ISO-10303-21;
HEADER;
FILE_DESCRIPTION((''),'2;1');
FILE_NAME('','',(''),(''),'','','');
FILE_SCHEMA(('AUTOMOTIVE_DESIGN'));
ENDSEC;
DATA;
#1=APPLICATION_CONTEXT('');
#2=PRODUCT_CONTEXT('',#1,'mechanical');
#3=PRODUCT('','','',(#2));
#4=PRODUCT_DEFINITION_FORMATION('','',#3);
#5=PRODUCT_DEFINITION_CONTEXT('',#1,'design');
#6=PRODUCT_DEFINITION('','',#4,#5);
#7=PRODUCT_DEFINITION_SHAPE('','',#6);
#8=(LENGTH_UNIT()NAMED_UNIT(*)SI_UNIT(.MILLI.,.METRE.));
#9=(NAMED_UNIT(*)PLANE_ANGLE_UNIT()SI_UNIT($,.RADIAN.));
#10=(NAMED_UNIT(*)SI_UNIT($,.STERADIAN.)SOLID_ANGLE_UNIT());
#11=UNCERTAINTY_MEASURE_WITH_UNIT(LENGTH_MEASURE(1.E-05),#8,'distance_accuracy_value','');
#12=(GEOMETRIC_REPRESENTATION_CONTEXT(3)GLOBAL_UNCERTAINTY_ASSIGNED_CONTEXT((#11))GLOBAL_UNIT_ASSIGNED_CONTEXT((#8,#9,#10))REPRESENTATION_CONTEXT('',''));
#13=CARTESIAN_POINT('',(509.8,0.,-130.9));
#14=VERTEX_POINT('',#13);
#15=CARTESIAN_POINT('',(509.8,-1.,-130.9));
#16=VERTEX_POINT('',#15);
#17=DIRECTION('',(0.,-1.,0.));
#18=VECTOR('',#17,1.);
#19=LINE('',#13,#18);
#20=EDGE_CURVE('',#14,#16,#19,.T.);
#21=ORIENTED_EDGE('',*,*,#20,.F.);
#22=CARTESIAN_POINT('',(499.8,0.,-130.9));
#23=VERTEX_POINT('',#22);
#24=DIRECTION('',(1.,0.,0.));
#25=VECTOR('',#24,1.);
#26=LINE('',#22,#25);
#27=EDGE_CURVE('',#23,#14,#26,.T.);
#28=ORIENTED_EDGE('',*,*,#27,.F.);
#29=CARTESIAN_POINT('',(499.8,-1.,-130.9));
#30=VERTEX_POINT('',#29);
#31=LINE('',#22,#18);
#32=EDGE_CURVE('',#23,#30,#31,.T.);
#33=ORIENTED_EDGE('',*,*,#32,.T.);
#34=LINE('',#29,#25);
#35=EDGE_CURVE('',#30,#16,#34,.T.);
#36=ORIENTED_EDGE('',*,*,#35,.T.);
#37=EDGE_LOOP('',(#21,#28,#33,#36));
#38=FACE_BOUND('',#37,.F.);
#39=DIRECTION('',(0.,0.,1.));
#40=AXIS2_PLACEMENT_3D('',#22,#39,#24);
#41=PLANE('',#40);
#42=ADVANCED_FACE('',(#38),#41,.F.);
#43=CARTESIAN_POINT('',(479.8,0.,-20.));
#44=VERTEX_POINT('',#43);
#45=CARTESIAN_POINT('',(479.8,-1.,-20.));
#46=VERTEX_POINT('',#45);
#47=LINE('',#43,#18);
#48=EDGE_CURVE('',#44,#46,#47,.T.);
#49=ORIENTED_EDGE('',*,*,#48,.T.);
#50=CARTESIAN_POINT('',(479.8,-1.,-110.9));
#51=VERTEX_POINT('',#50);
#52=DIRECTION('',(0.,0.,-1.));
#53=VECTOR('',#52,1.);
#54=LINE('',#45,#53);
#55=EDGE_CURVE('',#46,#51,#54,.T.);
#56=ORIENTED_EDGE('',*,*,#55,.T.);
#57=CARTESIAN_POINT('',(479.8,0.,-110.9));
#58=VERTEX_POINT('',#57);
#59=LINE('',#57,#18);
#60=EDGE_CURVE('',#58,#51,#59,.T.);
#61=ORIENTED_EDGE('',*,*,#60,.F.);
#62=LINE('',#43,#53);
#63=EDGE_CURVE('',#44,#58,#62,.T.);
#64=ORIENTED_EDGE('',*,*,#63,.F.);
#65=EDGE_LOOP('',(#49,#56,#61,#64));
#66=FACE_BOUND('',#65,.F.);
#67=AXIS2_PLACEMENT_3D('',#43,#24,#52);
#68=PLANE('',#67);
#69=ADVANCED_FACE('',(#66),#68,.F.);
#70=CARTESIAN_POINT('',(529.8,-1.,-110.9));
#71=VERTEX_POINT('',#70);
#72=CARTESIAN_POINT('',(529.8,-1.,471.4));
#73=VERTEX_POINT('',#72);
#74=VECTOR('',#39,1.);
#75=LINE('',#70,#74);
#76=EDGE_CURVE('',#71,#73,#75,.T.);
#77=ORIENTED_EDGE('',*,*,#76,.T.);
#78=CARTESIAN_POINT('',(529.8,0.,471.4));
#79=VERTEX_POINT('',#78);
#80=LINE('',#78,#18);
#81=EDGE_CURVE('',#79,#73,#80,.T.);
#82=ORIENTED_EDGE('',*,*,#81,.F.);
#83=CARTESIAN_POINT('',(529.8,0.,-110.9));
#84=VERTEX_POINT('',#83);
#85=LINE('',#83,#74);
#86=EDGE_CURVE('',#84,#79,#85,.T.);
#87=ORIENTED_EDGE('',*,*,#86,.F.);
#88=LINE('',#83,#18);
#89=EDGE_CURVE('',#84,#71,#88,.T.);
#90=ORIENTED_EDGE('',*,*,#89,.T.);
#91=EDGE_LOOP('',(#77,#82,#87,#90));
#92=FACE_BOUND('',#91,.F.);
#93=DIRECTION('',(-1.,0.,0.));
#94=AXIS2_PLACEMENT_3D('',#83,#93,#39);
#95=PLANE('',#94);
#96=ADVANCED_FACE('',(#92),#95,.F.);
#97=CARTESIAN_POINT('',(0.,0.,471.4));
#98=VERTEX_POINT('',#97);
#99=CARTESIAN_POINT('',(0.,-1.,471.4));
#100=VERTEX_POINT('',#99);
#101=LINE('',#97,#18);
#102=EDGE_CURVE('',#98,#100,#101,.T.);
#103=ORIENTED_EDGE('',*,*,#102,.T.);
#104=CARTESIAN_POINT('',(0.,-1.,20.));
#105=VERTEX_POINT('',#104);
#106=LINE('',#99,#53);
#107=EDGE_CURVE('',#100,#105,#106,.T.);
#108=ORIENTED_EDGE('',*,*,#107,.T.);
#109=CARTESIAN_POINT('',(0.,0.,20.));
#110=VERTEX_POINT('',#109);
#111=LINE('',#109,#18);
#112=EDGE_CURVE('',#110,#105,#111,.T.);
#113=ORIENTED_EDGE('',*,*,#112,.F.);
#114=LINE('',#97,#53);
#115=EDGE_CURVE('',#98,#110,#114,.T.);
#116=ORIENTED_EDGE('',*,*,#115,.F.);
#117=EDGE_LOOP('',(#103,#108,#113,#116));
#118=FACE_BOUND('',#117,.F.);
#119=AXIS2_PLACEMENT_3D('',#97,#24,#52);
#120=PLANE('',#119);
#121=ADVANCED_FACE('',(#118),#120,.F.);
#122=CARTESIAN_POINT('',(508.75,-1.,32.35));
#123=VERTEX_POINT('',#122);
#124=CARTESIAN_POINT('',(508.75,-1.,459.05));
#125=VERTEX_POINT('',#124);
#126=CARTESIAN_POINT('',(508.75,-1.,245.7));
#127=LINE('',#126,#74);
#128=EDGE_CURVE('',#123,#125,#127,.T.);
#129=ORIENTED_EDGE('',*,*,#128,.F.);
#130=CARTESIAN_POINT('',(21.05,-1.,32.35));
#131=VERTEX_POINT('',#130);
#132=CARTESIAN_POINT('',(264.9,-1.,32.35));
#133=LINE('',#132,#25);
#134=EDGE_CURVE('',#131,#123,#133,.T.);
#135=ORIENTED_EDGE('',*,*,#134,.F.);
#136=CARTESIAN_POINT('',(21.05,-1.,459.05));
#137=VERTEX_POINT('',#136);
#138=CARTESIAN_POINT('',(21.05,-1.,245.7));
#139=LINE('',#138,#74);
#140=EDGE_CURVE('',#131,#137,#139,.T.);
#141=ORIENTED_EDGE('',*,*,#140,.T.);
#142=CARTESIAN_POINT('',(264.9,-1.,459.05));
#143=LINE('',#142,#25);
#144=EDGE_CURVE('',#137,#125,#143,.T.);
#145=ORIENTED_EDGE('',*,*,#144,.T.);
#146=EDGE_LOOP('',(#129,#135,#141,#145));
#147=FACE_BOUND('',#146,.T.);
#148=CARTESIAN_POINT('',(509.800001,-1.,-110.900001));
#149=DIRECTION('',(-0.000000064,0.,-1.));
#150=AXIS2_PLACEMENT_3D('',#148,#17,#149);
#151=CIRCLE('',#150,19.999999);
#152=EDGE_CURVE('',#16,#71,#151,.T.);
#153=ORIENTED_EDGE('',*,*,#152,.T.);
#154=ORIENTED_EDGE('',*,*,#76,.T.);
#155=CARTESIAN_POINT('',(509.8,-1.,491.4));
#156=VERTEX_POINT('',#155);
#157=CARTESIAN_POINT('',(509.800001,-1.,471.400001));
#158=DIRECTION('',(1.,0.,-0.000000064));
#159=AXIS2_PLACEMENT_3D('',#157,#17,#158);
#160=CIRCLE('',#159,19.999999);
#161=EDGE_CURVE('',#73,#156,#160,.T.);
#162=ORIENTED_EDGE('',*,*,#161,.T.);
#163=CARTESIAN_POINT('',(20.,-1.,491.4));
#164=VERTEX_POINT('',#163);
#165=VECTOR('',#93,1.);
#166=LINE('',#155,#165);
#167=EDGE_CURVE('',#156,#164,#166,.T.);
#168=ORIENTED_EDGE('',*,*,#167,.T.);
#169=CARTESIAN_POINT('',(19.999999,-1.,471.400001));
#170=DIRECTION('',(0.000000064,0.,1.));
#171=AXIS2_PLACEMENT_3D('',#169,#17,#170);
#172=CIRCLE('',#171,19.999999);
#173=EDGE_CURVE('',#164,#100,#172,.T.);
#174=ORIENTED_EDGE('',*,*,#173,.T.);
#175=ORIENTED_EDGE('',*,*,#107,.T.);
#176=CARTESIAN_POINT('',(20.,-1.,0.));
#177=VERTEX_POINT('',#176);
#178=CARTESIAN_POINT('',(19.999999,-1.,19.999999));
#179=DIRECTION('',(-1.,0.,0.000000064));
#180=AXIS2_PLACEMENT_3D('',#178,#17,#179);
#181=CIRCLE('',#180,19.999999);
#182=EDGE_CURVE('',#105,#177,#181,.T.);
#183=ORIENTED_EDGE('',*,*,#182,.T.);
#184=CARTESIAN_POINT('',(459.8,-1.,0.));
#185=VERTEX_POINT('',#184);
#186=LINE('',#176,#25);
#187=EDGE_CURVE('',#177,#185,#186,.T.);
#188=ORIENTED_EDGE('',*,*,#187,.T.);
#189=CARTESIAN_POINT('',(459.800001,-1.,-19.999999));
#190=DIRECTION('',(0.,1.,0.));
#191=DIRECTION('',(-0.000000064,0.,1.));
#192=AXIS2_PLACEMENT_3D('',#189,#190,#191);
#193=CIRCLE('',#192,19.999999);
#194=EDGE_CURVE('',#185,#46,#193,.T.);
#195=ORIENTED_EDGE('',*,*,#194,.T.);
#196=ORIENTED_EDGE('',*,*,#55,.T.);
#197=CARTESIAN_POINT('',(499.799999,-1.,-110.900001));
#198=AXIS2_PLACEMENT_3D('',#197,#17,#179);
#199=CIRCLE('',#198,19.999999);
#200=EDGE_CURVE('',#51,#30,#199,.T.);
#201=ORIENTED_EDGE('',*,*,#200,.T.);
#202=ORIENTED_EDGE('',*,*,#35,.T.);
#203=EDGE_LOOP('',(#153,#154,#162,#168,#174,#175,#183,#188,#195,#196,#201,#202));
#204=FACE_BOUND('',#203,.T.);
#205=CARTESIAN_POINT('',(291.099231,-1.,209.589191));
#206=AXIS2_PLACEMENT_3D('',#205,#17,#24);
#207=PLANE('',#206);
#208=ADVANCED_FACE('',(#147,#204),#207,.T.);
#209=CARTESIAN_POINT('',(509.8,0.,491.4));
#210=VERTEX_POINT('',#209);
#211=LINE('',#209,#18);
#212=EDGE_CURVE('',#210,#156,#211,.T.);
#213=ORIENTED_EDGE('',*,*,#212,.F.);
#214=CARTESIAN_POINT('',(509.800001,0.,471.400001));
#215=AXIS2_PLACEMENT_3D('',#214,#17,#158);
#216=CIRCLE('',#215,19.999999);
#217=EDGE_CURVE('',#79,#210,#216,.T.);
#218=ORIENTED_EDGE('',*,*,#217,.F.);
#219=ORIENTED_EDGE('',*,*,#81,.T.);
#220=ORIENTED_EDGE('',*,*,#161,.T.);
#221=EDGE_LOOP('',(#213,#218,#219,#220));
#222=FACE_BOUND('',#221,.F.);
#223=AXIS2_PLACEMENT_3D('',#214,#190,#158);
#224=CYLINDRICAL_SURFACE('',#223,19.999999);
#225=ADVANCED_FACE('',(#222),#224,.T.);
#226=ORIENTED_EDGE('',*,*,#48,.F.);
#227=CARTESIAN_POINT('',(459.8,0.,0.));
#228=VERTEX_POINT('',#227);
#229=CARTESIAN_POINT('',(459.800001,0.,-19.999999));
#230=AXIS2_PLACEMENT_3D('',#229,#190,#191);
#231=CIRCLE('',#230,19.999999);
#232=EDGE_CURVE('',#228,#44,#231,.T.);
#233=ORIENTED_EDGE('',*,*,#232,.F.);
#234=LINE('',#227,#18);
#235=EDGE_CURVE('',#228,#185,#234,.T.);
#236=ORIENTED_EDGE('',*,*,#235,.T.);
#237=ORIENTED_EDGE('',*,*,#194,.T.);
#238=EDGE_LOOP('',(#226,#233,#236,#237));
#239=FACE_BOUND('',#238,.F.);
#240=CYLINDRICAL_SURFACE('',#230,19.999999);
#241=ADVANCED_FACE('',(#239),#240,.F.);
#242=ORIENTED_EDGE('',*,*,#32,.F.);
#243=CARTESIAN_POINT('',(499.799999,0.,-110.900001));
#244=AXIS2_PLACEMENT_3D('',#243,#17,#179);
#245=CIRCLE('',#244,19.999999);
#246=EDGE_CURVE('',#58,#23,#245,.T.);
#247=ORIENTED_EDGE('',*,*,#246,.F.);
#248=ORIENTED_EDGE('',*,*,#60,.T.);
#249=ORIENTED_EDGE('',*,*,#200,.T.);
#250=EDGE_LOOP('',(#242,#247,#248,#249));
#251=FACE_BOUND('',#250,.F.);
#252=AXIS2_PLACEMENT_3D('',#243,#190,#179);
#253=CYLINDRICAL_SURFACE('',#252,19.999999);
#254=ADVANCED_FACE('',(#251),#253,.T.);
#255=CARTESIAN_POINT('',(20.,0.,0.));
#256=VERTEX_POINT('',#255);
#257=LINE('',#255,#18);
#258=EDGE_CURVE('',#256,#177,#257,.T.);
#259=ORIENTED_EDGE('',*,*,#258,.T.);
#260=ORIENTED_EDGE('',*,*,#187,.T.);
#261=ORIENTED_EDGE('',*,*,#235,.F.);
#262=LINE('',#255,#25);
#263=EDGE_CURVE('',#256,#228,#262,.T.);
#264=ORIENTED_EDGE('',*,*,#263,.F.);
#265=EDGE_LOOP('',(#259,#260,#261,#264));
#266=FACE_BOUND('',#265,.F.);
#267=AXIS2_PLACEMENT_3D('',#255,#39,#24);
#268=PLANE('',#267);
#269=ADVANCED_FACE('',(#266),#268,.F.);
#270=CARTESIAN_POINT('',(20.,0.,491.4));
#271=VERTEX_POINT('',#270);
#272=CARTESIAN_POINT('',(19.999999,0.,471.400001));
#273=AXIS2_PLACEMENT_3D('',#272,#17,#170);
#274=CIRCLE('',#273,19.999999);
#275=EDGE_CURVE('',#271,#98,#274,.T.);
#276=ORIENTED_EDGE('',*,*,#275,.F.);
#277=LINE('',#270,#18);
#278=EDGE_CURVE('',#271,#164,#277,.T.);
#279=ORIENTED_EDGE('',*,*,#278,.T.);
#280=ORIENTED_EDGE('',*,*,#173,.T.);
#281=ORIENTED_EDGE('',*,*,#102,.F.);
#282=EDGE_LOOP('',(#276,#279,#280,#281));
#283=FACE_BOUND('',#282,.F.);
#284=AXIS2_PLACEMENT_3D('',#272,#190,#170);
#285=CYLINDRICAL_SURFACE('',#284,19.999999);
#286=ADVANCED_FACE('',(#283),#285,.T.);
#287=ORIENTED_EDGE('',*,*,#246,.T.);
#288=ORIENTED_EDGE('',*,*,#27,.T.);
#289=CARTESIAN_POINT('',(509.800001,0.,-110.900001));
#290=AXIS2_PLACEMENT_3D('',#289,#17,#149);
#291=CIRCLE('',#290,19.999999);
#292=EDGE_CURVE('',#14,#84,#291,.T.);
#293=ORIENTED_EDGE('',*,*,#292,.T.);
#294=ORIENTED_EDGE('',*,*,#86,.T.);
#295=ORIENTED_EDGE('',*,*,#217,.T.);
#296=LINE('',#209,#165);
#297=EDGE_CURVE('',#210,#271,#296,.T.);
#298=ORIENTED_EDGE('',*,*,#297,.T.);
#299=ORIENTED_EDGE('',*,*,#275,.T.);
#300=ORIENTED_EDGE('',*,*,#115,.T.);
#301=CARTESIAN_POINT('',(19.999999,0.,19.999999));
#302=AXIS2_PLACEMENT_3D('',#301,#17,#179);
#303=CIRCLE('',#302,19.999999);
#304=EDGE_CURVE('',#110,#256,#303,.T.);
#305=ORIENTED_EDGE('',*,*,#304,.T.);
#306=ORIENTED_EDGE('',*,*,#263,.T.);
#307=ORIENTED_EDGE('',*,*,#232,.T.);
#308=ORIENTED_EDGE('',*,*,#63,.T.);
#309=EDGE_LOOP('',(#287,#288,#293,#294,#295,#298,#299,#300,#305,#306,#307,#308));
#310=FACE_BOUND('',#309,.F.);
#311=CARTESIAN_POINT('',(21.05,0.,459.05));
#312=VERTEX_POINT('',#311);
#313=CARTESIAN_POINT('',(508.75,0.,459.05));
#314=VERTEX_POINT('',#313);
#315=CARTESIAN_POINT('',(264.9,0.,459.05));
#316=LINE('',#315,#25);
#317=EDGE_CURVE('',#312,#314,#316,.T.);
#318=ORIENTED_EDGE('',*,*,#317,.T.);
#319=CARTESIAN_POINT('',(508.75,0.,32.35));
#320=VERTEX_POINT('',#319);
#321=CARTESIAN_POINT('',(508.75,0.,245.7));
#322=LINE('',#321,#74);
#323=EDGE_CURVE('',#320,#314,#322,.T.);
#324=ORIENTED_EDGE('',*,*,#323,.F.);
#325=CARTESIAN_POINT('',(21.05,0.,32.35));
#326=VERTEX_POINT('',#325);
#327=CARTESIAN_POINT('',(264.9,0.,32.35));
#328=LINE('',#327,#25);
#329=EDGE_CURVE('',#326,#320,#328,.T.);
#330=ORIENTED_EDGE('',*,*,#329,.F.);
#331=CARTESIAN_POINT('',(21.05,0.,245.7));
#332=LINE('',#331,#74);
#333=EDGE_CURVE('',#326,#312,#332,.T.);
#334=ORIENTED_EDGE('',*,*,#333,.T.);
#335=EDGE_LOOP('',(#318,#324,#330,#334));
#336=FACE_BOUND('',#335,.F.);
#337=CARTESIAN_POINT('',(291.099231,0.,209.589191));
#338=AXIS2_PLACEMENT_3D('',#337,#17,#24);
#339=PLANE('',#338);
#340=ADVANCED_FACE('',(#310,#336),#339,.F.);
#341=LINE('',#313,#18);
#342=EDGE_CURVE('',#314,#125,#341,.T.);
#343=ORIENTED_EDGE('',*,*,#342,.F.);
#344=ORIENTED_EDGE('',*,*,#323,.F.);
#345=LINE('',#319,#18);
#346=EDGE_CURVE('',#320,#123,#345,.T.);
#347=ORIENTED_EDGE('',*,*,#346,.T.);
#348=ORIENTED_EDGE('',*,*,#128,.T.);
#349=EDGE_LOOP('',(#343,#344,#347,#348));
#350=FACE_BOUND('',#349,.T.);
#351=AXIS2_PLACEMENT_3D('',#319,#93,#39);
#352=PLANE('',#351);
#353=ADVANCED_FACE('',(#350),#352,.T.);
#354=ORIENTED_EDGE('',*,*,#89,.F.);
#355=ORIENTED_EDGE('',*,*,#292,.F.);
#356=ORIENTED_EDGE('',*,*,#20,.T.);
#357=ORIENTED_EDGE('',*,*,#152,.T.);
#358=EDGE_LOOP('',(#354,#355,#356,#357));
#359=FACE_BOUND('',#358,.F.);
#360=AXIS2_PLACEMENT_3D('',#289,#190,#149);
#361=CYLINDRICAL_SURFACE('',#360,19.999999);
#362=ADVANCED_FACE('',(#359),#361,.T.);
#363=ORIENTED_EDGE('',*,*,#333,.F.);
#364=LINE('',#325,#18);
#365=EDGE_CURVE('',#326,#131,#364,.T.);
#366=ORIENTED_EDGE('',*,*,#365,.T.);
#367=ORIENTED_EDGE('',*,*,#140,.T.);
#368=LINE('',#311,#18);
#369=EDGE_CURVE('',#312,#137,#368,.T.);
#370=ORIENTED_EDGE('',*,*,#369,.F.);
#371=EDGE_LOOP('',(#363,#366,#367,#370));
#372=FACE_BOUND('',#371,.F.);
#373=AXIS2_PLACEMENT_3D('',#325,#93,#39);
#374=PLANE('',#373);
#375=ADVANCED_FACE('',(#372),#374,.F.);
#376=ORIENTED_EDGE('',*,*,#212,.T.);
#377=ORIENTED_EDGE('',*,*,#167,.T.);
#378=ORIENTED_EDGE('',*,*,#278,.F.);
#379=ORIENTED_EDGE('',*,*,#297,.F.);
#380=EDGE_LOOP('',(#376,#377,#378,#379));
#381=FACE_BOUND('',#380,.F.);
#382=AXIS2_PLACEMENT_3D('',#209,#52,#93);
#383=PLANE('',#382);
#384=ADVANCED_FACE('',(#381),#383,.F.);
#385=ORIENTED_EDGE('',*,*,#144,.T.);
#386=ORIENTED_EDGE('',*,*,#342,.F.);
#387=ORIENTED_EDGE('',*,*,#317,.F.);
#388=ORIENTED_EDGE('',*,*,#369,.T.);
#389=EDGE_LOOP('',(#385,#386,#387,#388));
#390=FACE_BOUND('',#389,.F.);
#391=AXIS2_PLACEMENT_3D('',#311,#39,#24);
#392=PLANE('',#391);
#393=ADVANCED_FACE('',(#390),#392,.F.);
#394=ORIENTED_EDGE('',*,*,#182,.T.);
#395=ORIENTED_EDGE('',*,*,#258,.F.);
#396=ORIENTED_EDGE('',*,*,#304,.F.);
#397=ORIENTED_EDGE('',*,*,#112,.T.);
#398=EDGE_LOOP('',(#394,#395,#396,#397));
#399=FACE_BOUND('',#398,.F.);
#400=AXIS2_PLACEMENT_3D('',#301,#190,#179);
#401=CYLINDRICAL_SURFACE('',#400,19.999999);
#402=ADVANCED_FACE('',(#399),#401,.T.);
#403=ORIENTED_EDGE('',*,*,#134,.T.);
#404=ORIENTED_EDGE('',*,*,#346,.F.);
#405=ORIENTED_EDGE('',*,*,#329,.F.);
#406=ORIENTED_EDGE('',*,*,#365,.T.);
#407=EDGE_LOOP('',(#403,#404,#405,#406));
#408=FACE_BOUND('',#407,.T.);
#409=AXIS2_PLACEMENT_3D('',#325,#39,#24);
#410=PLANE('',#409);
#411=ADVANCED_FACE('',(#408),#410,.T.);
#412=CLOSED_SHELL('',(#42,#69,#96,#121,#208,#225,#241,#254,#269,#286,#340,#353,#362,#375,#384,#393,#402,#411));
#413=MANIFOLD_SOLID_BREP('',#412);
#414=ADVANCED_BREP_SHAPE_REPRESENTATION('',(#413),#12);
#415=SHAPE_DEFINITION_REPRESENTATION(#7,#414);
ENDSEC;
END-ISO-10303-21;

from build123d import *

# Parameters (mm, degrees)
F0_W     = 487.7
F0_H     = 426.7
F1_DEPTH = 1


with BuildPart() as f1:
    # F0 (on Front) → F1 (new body)
    with BuildSketch(Plane.XZ):
        with BuildLine():
            ThreePointArc((0, 20), (5.857864, 5.857864), (20, 0))
            Line((20, 0), (459.8, 0))
            ThreePointArc((459.8, 0), (473.942136, -5.857864), (479.8, -20))
            Line((479.8, -20), (479.8, -110.9))
            ThreePointArc((479.8, -110.9), (485.657864, -125.042136), (499.8, -130.9))
            Line((499.8, -130.9), (509.8, -130.9))
            ThreePointArc((509.8, -130.9), (523.942136, -125.042136), (529.8, -110.9))
            Line((529.8, -110.9), (529.8, 0))
            Line((529.8, 0), (529.8, 471.4))
            ThreePointArc((529.8, 471.4), (523.942136, 485.542136), (509.8, 491.4))
            Line((509.8, 491.4), (20, 491.4))
            ThreePointArc((20, 491.4), (5.857864, 485.542136), (0, 471.4))
            Line((0, 471.4), (0, 20))
        make_face()
        with Locations((264.9, 245.7)):
            Rectangle(F0_W, F0_H, mode=Mode.SUBTRACT)
    extrude(amount=F1_DEPTH)


solid = f1.part
